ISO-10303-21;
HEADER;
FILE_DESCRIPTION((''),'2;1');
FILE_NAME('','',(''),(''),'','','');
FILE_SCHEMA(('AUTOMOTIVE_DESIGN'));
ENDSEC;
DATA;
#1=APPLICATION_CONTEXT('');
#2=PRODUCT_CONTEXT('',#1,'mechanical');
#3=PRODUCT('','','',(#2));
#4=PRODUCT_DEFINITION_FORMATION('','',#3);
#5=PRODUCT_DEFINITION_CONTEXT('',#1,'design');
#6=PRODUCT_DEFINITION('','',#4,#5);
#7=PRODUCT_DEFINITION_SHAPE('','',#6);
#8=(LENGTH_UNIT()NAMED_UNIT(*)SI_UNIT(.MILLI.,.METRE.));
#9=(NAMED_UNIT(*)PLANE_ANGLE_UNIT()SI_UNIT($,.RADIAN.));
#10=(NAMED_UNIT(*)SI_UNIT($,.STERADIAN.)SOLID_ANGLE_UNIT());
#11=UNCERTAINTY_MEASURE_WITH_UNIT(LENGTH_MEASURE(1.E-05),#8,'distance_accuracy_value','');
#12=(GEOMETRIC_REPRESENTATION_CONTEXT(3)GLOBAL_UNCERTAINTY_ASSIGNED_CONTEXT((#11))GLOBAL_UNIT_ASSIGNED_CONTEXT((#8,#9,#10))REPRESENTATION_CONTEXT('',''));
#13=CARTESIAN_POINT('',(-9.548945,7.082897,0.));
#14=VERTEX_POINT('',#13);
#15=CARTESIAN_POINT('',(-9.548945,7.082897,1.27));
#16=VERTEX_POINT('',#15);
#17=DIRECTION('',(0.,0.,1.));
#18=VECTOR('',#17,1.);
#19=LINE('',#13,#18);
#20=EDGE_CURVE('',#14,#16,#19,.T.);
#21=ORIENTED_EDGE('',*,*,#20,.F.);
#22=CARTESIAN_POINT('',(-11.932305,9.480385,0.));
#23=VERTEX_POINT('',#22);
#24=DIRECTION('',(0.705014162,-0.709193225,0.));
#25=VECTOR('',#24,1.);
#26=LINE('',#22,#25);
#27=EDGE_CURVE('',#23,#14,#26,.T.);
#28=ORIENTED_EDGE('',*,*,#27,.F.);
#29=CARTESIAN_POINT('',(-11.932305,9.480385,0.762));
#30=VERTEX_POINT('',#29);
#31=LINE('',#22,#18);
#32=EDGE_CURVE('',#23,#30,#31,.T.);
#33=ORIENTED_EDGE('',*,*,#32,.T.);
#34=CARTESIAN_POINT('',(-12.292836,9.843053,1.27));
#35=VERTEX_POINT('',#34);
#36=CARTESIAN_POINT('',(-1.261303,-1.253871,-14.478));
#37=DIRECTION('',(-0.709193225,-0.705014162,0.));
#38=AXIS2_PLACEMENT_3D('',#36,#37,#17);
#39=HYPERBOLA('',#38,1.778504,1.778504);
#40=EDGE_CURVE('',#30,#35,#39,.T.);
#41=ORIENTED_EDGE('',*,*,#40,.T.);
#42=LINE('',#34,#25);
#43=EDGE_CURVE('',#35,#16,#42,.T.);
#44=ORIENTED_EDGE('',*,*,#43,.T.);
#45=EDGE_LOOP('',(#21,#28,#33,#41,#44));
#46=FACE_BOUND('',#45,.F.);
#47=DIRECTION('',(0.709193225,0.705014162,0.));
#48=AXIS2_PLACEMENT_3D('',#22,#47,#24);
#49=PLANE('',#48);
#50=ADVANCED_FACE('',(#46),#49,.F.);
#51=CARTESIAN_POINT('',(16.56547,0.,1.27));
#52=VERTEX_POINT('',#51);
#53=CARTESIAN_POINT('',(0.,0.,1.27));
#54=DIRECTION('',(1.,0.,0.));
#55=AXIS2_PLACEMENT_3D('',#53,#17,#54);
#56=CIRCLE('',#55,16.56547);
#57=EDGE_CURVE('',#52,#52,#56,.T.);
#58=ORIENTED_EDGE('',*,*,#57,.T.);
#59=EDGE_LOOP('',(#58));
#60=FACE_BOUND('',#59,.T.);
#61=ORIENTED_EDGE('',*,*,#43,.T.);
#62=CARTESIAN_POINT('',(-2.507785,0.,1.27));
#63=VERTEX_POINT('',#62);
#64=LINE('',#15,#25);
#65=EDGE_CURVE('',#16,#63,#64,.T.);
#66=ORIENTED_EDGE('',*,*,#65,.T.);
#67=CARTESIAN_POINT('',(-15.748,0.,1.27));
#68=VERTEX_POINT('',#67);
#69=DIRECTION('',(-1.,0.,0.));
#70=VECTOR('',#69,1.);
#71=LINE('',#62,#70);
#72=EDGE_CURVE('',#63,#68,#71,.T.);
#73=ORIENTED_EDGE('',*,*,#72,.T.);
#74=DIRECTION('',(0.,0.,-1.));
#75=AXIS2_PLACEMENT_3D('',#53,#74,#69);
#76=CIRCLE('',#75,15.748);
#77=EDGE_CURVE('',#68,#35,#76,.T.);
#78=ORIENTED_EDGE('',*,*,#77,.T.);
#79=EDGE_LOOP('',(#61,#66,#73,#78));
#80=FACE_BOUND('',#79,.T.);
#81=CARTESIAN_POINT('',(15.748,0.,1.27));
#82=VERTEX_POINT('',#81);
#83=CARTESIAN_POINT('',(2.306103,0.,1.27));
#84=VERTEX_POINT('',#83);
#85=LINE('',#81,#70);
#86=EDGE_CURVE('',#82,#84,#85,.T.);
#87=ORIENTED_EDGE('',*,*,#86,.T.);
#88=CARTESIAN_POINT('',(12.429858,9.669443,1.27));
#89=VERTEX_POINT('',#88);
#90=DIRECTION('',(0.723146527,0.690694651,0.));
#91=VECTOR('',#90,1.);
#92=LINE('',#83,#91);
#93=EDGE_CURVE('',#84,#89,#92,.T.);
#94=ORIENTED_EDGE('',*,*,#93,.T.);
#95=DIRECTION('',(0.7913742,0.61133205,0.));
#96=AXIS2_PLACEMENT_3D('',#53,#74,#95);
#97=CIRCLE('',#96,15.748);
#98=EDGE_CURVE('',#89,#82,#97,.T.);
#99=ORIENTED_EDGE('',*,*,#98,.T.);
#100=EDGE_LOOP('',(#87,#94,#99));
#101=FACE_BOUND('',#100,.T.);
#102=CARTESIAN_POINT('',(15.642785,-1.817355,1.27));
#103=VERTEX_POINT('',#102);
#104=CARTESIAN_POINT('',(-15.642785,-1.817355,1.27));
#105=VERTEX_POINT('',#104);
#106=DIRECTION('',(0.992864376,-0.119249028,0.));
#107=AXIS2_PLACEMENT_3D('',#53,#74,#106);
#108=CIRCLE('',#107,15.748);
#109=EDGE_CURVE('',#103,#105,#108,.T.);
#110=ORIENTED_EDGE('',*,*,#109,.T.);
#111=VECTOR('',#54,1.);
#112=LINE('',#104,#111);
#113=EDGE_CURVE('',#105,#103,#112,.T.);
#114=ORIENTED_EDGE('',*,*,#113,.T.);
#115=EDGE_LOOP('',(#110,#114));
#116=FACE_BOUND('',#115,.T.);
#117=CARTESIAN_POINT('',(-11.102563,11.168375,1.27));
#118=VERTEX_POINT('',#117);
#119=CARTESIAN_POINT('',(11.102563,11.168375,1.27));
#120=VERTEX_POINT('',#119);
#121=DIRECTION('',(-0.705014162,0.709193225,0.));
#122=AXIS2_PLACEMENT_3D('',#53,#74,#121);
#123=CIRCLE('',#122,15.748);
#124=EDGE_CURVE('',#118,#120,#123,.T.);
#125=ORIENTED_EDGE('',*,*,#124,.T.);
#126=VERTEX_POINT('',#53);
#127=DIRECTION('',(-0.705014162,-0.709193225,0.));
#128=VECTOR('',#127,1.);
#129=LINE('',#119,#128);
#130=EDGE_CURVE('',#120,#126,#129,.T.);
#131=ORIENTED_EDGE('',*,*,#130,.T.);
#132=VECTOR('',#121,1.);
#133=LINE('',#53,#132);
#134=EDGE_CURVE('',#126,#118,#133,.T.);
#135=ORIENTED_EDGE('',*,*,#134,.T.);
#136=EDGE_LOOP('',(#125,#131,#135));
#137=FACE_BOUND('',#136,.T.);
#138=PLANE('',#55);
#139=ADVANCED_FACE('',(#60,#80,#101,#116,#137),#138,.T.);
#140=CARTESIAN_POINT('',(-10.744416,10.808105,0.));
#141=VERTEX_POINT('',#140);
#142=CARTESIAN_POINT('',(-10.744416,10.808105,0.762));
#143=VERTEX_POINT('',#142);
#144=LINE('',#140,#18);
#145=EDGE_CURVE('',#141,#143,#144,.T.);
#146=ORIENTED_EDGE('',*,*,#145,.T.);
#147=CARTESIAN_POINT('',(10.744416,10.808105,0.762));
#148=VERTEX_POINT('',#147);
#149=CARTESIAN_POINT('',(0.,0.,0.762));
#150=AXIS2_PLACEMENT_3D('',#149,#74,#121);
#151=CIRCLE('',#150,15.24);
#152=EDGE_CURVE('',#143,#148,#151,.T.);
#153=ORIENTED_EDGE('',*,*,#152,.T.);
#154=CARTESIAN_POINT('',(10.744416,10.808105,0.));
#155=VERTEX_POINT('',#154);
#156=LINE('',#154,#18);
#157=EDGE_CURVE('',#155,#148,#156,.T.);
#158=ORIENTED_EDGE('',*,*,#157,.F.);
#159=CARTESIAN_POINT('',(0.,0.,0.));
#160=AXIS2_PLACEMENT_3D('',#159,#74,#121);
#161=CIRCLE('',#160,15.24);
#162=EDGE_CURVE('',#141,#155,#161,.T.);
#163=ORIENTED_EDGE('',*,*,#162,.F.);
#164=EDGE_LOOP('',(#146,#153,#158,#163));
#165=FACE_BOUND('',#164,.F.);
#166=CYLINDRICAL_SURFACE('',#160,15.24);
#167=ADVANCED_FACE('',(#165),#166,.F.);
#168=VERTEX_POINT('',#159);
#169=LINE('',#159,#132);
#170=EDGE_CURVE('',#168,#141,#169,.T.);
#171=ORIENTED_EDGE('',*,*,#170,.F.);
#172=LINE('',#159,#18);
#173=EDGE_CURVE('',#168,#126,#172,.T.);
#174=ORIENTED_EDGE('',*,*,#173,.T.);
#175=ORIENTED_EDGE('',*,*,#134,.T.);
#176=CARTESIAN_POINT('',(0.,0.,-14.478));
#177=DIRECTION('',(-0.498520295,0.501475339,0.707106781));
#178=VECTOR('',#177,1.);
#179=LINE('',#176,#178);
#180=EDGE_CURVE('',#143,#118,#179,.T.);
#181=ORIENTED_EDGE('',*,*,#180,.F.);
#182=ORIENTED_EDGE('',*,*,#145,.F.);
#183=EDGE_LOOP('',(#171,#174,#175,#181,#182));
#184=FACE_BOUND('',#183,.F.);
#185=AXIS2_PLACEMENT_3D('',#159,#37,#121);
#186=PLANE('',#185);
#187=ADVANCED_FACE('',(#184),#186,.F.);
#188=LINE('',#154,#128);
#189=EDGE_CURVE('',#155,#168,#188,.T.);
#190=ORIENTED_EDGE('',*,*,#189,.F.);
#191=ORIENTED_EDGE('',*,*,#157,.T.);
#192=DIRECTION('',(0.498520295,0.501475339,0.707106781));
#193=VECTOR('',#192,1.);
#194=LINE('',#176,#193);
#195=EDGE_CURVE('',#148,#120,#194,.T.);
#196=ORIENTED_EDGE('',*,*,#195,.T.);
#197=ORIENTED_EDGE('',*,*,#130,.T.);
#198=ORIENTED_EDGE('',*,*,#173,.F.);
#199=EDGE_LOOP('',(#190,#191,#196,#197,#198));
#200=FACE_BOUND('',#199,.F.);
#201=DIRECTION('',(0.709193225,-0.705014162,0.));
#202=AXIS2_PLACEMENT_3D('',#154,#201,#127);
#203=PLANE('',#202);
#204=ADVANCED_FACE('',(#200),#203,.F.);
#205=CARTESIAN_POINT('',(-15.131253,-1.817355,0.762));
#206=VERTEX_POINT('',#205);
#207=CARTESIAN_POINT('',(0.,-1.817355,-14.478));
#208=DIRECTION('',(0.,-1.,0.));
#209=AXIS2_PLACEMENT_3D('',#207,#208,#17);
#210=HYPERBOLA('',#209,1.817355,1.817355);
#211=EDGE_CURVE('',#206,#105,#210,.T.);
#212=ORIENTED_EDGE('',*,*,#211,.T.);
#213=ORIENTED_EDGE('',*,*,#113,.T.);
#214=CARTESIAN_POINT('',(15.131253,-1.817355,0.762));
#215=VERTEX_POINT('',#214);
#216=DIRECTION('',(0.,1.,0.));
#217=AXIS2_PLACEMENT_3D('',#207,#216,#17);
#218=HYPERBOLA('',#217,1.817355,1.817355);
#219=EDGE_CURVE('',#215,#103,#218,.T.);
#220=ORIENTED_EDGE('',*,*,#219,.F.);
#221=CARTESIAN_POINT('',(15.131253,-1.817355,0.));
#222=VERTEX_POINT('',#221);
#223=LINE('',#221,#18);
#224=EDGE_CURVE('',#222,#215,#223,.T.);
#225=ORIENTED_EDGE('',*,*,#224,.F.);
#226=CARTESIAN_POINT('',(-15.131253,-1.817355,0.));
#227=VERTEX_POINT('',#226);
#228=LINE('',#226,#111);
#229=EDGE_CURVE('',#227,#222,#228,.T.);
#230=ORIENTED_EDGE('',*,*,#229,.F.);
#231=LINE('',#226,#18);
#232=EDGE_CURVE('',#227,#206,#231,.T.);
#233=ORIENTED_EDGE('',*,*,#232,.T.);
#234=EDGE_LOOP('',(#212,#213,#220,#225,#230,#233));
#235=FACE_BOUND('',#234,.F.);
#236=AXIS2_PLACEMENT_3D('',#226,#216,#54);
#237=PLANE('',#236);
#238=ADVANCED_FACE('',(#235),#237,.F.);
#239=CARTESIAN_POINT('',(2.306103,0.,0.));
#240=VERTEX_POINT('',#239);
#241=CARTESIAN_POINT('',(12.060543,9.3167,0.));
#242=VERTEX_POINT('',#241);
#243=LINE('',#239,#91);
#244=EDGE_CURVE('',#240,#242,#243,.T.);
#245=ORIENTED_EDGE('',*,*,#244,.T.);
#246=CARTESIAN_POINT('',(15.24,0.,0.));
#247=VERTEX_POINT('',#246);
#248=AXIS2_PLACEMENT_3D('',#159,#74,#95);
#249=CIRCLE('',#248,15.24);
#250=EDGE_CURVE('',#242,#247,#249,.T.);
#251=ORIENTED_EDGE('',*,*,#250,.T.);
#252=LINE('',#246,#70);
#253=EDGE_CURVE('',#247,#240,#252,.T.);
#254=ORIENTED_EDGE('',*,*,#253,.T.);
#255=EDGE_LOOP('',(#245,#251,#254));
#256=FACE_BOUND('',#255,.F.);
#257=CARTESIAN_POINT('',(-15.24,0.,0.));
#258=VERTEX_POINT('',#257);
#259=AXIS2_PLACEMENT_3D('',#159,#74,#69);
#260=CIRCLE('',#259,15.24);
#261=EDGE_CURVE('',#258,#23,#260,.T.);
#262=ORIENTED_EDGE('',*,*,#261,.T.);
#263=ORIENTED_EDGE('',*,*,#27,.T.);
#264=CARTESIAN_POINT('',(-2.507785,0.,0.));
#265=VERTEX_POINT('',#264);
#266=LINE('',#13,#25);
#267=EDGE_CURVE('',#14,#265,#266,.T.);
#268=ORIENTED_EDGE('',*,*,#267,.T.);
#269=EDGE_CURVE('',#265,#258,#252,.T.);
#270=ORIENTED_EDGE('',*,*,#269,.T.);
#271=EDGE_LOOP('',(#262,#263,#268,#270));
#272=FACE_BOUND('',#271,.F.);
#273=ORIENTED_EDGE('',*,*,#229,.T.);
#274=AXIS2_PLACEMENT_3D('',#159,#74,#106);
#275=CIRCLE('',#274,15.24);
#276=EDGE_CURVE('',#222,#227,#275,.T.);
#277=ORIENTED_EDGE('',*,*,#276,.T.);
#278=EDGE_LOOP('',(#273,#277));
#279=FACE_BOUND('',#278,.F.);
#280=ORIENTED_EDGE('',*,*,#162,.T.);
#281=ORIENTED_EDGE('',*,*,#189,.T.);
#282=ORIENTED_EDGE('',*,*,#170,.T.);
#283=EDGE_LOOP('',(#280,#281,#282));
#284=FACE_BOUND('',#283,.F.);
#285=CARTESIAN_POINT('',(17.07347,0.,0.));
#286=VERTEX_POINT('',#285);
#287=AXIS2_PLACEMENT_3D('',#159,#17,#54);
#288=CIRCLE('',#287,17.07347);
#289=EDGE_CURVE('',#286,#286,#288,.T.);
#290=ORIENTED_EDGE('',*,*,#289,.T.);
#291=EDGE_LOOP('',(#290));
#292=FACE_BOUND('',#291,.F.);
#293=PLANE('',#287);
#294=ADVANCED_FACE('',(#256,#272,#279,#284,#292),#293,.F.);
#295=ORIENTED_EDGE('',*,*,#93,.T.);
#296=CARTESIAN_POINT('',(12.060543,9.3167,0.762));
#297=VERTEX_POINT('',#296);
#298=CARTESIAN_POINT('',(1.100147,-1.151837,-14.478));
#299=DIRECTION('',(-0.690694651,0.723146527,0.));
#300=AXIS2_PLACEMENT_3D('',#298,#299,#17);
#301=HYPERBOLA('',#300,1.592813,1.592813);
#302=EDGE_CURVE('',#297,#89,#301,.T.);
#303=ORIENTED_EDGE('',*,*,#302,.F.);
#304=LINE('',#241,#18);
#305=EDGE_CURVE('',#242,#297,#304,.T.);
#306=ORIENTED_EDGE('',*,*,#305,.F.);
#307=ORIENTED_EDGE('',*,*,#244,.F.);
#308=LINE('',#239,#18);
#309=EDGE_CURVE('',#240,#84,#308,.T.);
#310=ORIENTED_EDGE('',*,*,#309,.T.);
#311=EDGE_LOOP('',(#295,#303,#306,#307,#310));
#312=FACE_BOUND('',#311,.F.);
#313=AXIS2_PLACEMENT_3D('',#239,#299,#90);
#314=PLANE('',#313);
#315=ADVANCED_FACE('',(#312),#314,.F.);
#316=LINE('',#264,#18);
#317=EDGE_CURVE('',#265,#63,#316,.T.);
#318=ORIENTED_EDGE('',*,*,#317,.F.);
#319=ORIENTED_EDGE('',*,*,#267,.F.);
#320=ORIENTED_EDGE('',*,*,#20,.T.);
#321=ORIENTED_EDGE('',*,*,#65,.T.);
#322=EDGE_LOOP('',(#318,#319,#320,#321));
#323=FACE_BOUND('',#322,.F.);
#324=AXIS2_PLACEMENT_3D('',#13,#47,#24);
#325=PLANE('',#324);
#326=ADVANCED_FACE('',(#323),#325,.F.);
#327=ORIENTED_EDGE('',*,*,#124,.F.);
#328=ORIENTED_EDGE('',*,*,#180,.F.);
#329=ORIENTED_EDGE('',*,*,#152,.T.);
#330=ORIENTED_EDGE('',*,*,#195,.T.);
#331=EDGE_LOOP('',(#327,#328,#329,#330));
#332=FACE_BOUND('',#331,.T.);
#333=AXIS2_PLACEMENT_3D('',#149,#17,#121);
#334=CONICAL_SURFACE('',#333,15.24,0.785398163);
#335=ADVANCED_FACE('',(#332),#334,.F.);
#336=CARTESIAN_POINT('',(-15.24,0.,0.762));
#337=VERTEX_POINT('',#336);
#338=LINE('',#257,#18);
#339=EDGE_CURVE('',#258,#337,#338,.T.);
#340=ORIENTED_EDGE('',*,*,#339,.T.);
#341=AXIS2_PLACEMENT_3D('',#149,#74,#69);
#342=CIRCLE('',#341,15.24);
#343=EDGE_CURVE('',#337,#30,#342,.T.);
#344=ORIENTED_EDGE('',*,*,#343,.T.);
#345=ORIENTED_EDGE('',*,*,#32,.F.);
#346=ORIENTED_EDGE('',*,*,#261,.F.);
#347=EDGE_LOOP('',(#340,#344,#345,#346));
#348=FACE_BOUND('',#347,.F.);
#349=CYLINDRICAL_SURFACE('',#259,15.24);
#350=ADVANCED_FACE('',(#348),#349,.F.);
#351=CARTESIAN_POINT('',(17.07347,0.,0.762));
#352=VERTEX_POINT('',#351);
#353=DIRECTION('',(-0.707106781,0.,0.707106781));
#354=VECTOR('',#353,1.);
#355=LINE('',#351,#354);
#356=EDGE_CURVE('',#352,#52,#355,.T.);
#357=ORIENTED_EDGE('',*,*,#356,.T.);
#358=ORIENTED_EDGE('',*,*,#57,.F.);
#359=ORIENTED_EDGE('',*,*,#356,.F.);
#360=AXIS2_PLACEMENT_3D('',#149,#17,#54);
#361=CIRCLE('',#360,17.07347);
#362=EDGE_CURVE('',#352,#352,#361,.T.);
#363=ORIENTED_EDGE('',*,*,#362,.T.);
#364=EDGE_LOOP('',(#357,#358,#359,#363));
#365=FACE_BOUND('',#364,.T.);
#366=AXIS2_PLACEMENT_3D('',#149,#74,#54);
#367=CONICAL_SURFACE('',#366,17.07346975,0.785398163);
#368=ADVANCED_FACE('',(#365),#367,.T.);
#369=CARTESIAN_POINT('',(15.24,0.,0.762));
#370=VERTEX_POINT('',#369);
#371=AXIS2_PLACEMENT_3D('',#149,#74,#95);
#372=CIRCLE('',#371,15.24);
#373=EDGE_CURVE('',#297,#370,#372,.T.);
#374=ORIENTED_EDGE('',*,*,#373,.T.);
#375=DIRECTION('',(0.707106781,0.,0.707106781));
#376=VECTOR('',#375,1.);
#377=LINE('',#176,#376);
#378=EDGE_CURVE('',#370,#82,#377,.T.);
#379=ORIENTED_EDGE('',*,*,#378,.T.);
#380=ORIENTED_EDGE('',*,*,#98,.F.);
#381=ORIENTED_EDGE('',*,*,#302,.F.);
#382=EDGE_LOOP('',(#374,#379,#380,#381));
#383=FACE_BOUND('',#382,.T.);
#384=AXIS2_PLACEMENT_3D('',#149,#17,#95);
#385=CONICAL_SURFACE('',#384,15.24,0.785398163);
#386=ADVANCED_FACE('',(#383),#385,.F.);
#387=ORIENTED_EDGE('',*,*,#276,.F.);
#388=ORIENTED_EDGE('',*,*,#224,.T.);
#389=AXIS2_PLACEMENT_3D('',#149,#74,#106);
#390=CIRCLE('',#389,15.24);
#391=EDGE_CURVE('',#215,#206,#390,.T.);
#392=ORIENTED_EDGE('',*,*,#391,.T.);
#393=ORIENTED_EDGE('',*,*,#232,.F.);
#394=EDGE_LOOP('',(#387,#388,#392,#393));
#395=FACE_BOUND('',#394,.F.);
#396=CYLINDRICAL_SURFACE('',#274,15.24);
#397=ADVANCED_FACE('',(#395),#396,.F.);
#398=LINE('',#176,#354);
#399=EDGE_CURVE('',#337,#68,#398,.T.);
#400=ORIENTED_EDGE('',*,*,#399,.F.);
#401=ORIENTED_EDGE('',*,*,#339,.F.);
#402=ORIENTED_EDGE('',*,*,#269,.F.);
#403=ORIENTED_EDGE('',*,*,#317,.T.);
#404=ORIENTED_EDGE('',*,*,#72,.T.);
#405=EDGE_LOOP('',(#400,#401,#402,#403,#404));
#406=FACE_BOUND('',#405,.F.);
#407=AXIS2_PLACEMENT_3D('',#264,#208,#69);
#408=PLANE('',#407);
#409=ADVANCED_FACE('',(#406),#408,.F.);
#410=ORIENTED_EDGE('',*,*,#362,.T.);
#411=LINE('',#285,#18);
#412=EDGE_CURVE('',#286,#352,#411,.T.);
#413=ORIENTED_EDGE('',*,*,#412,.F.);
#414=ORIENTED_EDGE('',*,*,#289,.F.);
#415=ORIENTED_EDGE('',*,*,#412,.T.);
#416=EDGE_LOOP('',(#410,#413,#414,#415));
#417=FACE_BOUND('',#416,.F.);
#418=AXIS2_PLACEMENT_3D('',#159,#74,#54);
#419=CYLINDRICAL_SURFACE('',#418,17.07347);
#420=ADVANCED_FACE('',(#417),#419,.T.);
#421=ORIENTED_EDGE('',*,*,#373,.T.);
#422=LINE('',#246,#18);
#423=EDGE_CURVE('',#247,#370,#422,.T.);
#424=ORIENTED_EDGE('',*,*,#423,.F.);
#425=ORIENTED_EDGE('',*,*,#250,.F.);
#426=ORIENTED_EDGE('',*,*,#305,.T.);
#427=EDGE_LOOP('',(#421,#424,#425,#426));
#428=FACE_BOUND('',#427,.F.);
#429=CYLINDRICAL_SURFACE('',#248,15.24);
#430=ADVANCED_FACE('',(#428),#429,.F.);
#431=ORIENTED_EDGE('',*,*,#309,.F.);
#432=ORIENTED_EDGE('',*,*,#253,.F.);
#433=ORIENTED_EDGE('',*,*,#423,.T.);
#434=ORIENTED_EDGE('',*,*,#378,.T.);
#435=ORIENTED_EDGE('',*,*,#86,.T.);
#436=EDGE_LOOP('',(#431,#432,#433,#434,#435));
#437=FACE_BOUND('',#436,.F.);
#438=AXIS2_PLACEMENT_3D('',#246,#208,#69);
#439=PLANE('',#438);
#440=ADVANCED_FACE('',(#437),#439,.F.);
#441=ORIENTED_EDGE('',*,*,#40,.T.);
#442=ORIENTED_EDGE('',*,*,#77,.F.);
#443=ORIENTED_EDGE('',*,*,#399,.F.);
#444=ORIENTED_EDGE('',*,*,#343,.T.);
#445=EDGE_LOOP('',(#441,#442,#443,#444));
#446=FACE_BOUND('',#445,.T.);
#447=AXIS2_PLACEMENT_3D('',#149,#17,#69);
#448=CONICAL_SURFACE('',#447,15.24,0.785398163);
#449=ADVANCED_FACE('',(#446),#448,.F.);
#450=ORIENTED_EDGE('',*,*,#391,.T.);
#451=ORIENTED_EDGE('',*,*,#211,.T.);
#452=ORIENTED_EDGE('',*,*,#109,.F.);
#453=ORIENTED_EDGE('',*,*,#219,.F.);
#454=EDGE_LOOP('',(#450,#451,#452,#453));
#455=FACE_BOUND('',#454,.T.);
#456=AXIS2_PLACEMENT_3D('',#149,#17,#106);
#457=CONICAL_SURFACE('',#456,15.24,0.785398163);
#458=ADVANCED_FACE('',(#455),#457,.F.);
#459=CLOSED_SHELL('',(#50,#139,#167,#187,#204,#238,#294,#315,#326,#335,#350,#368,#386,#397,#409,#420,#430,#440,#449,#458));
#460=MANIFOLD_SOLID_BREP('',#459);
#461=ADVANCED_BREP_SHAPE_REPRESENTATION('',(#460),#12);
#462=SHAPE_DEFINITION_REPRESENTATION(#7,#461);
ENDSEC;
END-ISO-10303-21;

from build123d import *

# Parameters (mm, degrees)
F0_R     = 17.0734697504
F1_DEPTH = 1.27
F2_SIZE  = 0.508


with BuildPart() as f1:
    # F0 (on Top) → F1 (new body)
    with BuildSketch(Plane.XY):
        Circle(F0_R)
        with BuildLine():
            ThreePointArc((12.0605428134, 9.3167004378), (14.4232498501, 4.9221401608), (15.24, 0))
            ThreePointArc((15.24, 0), (15.2127889804, -0.9103029381), (15.131253092, -1.8173551845))
            ThreePointArc((15.131253092, -1.8173551845), (0, -15.24), (-15.131253092, -1.8173551845))
            ThreePointArc((-15.131253092, -1.8173551845), (-15.2127889804, -0.9103029381), (-15.24, 0))
            ThreePointArc((-15.24, 0), (-14.3893350592, 5.0204219498), (-11.9323049141, 9.4803849835))
            ThreePointArc((-11.9323049141, 9.4803849835), (-11.3577782125, 10.1616176898), (-10.7444158345, 10.8081047541))
            ThreePointArc((-10.7444158345, 10.8081047541), (0, 15.24), (10.7444158345, 10.8081047541))
            ThreePointArc((10.7444158345, 10.8081047541), (11.4268371145, 10.0838977364), (12.0605428134, 9.3167004378))
        make_face(mode=Mode.SUBTRACT)
        with BuildLine():
            Line((-2.5077849958, 0), (0, 0))
            Line((0, 0), (-10.7444158345, 10.8081047541))
            ThreePointArc((-10.7444158345, 10.8081047541), (-11.3577782125, 10.1616176898), (-11.9323049141, 9.4803849835))
            Line((-11.9323049141, 9.4803849835), (-9.5489449564, 7.0828973502))
            Line((-9.5489449564, 7.0828973502), (-2.5077849958, 0))
        make_face()
        with BuildLine():
            Line((2.306102775, 0), (12.0605428134, 9.3167004378))
            ThreePointArc((12.0605428134, 9.3167004378), (11.4268371145, 10.0838977364), (10.7444158345, 10.8081047541))
            Line((10.7444158345, 10.8081047541), (0, 0))
            Line((0, 0), (2.306102775, 0))
        make_face()
        with BuildLine():
            ThreePointArc((15.131253092, -1.8173551845), (15.2127889804, -0.9103029381), (15.24, 0))
            Line((15.24, 0), (2.306102775, 0))
            Line((2.306102775, 0), (0, 0))
            Line((0, 0), (-2.5077849958, 0))
            Line((-2.5077849958, 0), (-15.24, 0))
            ThreePointArc((-15.24, 0), (-15.2127889804, -0.9103029381), (-15.131253092, -1.8173551845))
            Line((-15.131253092, -1.8173551845), (15.131253092, -1.8173551845))
        make_face()
    extrude(amount=F1_DEPTH)

    # F2
    f2_edges = [f1.edges().sort_by_distance(p)[0] for p in [
        (-17.07347, 0, 1.27),
        (0, -15.24, 1.27),
        (-14.389335, 5.020422, 1.27),
        (0, 15.24, 1.27),
        (14.42325, 4.92214, 1.27),
    ]]
    chamfer(f2_edges, length=F2_SIZE)


solid = f1.part
